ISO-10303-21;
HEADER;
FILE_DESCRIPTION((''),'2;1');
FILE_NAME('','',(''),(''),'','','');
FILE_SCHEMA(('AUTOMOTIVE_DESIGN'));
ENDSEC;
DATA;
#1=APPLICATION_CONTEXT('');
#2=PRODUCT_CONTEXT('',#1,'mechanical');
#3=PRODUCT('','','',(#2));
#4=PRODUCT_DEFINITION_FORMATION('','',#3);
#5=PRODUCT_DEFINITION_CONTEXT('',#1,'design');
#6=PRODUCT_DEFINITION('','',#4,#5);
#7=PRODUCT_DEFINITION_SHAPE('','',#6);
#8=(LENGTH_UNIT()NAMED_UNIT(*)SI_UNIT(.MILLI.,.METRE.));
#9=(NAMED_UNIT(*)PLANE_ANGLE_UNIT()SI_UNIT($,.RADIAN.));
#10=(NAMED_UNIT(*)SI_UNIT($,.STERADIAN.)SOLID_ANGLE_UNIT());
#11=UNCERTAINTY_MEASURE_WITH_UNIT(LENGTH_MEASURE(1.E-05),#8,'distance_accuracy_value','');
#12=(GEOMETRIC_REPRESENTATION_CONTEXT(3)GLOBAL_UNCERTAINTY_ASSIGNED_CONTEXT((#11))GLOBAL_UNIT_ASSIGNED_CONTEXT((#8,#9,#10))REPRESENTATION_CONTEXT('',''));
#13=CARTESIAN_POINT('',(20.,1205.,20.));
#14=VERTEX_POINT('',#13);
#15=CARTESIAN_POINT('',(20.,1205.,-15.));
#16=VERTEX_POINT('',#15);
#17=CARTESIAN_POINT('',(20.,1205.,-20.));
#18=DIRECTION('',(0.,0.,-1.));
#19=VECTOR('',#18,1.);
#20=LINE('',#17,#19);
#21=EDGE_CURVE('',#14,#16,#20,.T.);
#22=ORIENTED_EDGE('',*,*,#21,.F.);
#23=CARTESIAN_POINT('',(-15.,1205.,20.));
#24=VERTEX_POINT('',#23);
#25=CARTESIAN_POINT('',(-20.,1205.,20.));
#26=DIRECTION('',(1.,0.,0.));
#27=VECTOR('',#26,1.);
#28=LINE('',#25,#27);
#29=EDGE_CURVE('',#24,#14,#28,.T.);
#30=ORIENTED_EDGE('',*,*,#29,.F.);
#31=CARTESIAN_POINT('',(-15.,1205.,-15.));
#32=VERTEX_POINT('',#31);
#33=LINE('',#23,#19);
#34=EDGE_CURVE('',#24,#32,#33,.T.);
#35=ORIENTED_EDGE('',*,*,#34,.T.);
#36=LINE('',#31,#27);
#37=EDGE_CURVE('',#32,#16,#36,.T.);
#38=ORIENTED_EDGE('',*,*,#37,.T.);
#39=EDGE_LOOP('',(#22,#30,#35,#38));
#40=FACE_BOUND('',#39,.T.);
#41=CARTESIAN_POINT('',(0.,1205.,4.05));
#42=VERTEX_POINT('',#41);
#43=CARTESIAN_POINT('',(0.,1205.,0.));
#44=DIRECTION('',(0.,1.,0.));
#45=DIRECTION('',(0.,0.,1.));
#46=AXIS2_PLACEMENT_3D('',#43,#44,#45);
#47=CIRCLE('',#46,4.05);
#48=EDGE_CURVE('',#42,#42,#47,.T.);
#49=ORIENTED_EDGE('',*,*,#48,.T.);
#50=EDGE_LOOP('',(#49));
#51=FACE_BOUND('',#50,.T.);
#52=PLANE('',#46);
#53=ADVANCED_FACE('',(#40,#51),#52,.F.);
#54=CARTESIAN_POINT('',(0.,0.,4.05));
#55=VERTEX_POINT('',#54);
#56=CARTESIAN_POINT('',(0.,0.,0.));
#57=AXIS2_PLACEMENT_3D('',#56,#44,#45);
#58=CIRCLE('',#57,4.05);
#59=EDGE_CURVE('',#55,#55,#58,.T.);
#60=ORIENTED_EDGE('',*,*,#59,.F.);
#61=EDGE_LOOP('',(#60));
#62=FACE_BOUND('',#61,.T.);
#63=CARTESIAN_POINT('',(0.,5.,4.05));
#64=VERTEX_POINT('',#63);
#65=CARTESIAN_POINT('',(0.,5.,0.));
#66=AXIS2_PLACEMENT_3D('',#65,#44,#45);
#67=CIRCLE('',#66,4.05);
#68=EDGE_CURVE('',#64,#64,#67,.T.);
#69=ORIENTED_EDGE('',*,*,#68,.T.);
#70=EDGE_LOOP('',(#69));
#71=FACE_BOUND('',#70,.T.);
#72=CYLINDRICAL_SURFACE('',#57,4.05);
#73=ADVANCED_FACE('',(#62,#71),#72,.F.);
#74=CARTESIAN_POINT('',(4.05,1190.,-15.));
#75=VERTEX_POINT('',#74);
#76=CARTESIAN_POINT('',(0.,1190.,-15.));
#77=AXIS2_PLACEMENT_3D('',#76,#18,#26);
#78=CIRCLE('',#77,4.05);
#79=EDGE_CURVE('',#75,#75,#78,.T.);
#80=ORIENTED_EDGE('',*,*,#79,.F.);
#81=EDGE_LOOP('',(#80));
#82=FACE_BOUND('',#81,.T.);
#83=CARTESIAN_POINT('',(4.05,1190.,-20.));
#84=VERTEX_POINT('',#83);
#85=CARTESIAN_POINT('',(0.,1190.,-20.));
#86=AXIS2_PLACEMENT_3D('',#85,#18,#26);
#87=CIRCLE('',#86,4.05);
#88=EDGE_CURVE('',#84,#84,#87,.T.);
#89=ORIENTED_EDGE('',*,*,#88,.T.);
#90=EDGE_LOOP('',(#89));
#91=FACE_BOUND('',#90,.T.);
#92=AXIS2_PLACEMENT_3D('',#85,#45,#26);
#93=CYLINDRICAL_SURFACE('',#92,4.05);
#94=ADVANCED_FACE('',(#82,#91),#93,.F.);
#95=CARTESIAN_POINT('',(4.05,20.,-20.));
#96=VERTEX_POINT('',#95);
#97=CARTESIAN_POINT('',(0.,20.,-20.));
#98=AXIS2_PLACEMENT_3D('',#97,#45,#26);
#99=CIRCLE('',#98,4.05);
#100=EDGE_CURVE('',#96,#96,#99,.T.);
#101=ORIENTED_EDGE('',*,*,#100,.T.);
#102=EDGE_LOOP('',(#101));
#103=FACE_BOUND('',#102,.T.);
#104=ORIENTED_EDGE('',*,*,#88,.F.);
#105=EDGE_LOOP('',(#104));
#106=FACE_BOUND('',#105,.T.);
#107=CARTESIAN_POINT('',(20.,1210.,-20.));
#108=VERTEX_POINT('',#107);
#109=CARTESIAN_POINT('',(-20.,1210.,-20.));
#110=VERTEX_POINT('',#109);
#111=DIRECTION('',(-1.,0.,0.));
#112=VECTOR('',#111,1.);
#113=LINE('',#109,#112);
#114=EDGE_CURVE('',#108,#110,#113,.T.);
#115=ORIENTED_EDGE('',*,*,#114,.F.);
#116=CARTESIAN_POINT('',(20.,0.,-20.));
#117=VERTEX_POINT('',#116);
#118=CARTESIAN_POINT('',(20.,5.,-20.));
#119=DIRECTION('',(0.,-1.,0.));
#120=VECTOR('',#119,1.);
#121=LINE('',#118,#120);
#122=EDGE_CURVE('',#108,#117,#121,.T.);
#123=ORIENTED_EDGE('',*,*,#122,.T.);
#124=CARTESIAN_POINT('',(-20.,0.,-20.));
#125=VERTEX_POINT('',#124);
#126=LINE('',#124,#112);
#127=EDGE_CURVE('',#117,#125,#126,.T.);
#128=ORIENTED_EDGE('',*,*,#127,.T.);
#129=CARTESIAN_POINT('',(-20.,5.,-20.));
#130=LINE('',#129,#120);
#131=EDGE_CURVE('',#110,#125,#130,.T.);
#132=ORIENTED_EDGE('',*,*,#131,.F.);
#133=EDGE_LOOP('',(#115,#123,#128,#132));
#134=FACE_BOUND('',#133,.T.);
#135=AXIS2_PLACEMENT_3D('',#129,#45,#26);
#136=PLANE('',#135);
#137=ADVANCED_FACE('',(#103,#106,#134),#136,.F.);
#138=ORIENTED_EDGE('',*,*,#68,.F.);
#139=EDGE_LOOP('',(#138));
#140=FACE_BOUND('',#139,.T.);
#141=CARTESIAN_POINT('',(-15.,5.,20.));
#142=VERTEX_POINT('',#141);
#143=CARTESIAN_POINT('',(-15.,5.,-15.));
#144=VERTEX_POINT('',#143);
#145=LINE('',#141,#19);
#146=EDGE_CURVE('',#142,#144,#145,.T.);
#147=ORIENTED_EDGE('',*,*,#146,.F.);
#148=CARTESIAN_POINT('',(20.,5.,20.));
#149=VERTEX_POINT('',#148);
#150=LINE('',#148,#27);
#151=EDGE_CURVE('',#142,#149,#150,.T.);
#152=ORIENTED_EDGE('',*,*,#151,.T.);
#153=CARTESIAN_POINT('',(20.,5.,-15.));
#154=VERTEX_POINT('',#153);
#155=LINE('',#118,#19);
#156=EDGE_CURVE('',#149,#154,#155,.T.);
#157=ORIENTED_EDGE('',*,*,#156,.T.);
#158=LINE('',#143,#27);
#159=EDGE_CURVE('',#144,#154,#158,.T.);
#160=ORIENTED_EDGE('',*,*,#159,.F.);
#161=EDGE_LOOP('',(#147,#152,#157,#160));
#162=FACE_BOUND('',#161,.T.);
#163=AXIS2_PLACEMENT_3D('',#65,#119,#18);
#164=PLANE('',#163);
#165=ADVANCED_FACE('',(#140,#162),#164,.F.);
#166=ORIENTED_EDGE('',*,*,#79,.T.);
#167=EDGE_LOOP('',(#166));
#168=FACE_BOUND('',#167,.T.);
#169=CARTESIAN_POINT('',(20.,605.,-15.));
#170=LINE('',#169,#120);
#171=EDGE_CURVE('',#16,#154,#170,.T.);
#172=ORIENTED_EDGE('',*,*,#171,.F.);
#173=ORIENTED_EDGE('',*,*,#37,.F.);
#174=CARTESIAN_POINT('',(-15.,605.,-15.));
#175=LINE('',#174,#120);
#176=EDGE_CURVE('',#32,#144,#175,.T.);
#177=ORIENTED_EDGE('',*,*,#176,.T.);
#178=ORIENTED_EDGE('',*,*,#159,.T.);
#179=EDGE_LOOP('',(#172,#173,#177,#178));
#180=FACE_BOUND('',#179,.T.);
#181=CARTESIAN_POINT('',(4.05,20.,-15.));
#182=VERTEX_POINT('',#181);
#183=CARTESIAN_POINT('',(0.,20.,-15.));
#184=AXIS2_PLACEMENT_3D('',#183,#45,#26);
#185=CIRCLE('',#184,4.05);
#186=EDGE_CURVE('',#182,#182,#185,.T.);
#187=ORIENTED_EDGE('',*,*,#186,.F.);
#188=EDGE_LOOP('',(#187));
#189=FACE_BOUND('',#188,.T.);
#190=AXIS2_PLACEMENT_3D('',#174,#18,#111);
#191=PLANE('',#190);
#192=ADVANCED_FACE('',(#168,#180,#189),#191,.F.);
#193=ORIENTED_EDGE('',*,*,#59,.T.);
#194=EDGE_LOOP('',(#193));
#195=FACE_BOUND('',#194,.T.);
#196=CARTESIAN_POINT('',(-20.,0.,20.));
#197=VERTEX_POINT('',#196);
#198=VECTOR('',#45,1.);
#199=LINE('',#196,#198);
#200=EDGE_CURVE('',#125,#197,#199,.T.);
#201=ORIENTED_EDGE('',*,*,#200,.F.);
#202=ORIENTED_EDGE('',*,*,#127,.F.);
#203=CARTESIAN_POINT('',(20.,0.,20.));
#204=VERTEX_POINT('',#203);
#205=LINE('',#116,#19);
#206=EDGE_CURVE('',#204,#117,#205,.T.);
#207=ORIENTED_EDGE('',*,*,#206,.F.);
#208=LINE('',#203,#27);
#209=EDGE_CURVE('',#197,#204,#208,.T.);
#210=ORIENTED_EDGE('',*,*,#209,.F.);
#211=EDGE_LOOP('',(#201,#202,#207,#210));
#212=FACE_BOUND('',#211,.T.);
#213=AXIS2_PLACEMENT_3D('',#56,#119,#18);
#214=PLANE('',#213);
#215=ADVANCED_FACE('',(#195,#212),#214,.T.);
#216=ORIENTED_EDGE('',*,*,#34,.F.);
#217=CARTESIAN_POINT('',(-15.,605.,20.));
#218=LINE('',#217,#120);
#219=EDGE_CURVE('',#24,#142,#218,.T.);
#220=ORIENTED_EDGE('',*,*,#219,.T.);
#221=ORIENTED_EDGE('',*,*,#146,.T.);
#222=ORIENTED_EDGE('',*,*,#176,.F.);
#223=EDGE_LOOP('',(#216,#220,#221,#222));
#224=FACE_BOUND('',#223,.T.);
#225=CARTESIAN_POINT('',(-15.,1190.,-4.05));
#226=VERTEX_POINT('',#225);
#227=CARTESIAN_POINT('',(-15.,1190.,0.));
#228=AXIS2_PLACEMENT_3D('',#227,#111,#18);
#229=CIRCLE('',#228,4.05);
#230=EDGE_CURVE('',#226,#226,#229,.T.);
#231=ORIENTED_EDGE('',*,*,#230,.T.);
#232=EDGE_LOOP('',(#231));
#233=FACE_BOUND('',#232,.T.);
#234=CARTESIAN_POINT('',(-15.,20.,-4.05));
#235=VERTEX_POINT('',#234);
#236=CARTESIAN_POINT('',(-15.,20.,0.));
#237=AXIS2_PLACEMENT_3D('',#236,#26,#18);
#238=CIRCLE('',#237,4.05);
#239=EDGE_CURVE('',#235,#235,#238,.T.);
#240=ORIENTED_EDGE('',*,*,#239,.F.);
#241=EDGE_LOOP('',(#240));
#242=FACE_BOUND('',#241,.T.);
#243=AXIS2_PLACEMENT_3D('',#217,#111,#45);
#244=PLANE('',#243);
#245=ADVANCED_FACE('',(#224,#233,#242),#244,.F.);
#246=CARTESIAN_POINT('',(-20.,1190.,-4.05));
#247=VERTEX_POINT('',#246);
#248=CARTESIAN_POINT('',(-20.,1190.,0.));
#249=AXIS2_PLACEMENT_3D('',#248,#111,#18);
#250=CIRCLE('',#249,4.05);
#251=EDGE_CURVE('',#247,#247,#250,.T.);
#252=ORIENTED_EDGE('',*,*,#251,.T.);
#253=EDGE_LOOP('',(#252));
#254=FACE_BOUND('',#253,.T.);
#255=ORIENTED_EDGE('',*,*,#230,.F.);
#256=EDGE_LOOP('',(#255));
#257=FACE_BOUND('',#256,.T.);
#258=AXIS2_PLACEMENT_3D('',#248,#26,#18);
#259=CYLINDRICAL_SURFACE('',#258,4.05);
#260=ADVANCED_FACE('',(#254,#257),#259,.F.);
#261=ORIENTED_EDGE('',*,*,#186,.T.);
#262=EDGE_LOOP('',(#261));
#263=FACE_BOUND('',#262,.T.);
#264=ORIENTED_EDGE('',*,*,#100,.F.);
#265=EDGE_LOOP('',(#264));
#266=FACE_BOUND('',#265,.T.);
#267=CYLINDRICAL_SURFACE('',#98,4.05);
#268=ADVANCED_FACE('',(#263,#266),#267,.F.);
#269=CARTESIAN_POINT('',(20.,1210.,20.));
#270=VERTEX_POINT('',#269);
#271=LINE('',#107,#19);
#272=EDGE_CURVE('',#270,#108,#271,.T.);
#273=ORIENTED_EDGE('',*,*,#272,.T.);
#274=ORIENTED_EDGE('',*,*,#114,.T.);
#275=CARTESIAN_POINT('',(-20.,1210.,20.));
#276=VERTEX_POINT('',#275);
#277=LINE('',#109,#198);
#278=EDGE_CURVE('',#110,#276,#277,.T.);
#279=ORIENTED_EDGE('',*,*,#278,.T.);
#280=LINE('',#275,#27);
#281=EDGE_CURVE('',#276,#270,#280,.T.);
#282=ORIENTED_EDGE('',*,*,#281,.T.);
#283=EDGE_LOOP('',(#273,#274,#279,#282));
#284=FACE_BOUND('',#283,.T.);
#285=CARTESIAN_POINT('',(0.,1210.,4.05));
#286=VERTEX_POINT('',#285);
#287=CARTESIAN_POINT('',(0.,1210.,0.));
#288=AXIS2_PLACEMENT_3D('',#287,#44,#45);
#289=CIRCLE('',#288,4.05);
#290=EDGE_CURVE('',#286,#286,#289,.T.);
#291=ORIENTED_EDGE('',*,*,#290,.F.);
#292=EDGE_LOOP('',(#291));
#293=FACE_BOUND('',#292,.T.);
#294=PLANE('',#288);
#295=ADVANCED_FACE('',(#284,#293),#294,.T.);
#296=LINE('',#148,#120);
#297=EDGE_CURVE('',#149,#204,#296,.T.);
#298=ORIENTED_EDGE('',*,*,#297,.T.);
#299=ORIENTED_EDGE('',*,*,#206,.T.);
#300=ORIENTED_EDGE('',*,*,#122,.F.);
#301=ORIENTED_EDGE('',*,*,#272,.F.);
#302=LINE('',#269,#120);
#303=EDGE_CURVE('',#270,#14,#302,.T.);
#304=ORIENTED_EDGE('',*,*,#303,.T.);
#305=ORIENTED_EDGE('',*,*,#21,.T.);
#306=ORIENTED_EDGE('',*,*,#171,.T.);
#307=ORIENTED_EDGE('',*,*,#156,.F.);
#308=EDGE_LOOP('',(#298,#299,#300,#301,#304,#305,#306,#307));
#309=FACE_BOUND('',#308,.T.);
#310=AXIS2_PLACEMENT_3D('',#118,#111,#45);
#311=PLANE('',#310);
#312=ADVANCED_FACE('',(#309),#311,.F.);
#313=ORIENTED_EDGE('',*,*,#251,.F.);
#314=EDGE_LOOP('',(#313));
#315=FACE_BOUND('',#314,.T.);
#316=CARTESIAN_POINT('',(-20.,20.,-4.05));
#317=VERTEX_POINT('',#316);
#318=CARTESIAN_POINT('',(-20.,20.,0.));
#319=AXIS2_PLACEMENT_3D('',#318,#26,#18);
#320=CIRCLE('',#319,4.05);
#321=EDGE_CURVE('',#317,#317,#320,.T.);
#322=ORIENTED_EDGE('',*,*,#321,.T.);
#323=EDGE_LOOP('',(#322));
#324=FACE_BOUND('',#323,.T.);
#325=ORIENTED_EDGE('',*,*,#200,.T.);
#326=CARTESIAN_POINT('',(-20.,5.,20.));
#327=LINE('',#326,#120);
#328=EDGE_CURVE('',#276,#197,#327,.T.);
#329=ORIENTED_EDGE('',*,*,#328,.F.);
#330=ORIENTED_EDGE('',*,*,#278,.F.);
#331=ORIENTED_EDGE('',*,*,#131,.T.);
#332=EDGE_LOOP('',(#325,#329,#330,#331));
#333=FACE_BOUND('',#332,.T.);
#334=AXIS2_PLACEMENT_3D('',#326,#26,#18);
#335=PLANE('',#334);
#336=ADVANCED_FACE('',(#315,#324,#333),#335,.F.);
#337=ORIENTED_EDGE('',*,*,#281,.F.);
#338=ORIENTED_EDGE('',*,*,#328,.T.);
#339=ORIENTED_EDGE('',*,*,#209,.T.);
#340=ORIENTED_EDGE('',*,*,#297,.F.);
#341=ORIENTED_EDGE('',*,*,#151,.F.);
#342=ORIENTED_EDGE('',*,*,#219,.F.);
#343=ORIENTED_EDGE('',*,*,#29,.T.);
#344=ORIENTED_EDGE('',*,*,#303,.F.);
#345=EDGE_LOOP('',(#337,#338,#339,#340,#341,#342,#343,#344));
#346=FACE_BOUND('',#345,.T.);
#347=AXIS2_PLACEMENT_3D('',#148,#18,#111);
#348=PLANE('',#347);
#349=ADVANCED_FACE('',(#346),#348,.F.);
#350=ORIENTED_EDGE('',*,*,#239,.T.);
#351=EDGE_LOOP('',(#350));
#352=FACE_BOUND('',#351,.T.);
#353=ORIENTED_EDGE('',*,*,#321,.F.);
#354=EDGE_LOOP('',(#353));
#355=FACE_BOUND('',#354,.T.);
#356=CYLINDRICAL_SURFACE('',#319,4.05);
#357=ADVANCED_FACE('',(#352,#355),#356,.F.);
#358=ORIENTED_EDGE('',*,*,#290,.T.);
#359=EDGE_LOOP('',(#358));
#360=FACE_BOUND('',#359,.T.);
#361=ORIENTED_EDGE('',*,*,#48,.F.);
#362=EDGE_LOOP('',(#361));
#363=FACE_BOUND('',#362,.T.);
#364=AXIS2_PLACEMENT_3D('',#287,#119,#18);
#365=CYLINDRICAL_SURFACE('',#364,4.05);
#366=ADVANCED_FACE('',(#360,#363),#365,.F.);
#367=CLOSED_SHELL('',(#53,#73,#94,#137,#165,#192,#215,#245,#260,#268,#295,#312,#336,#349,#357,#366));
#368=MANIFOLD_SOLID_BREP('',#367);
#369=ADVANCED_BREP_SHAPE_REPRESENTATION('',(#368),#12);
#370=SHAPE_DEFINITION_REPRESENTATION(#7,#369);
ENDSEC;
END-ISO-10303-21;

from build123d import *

# Parameters (mm, degrees)
SKETCH_1_W          = 40
SKETCH_1_H          = 40
EXTRUDE_1_DEPTH     = 5
SKETCH_2_R          = 4.05
CUT_EXTRUDE_1_DEPTH = 5
EXTRUDE_2_DEPTH     = 600
EXTRUDE_START       = 5
SKETCH_4_W          = 40
SKETCH_4_H          = 40
SKETCH_4_R          = 4.05
EXTRUDE_3_DEPTH     = 5
SKETCH_5_R          = 4.05
CUT_EXTRUDE_2_DEPTH = 5
SKETCH_6_R          = 4.05
CUT_EXTRUDE_3_DEPTH = 5


with BuildPart() as part:
    # 草图1 → 凸台-拉伸1 (new body)
    with BuildSketch(Plane(origin=(0, 0, 0), x_dir=(1, 0, 0), z_dir=(0, 1, 0))):
        Rectangle(SKETCH_1_W, SKETCH_1_H)
    extrude(amount=EXTRUDE_1_DEPTH)

    # 草图2 → 切除-拉伸1 (cut)
    with BuildSketch(Plane(origin=(0, 5, 0), x_dir=(1, 0, 0), z_dir=(0, 1, 0))):
        with Locations(Location((0, 0, 0), (0, 0, 270))):
            Circle(SKETCH_2_R)
    extrude(amount=-CUT_EXTRUDE_1_DEPTH, mode=Mode.SUBTRACT)

    # 草图3 → 凸台-拉伸2 (add)
    with BuildSketch(Plane(origin=(0, 5, 0), x_dir=(1, 0, 0), z_dir=(0, 1, 0))):
        Polygon((-20, 20), (-20, -20), (-15, -20), (-15, 15), (20, 15), (20, 20), align=None)
    extrude_2 = extrude(amount=EXTRUDE_2_DEPTH)

    # 镜向1: 凸台-拉伸2 across plane
    add(extrude_2.mirror(Plane.ZX.offset(605)))

    # 草图4 → 凸台-拉伸3 (add)
    with BuildSketch(Plane(origin=(0, 1205, 0), x_dir=(1, 0, 0), z_dir=(0, 1, 0)).offset(EXTRUDE_START)):
        Rectangle(SKETCH_4_W, SKETCH_4_H)
        with Locations(Location((0, 0, 0), (0, 0, 270))):
            Circle(SKETCH_4_R, mode=Mode.SUBTRACT)
    extrude(amount=-EXTRUDE_3_DEPTH)

    # 草图5 → 切除-拉伸2 (cut)
    with BuildSketch(Plane.XY.offset(-15)):
        with Locations((0, 20)):
            Circle(SKETCH_5_R)
    cut_extrude_2 = extrude(amount=-CUT_EXTRUDE_2_DEPTH, mode=Mode.SUBTRACT)

    # 镜向2: 切除-拉伸2 across plane
    add(cut_extrude_2.mirror(Plane(origin=(0, 605, 0), x_dir=(0, 0, 1), z_dir=(0, -1, 0))), mode=Mode.SUBTRACT)

    # 草图6 → 切除-拉伸3 (cut)
    with BuildSketch(Plane(origin=(-15, 0, 0), x_dir=(0, 0, -1), z_dir=(1, 0, 0))):
        with Locations((0, 20)):
            Circle(SKETCH_6_R)
    cut_extrude_3 = extrude(amount=-CUT_EXTRUDE_3_DEPTH, mode=Mode.SUBTRACT)

    # 镜向3: 切除-拉伸3 across plane
    add(cut_extrude_3.mirror(Plane(origin=(0, 605, 0), x_dir=(0, 0, 1), z_dir=(0, -1, 0))), mode=Mode.SUBTRACT)


solid = part.part
